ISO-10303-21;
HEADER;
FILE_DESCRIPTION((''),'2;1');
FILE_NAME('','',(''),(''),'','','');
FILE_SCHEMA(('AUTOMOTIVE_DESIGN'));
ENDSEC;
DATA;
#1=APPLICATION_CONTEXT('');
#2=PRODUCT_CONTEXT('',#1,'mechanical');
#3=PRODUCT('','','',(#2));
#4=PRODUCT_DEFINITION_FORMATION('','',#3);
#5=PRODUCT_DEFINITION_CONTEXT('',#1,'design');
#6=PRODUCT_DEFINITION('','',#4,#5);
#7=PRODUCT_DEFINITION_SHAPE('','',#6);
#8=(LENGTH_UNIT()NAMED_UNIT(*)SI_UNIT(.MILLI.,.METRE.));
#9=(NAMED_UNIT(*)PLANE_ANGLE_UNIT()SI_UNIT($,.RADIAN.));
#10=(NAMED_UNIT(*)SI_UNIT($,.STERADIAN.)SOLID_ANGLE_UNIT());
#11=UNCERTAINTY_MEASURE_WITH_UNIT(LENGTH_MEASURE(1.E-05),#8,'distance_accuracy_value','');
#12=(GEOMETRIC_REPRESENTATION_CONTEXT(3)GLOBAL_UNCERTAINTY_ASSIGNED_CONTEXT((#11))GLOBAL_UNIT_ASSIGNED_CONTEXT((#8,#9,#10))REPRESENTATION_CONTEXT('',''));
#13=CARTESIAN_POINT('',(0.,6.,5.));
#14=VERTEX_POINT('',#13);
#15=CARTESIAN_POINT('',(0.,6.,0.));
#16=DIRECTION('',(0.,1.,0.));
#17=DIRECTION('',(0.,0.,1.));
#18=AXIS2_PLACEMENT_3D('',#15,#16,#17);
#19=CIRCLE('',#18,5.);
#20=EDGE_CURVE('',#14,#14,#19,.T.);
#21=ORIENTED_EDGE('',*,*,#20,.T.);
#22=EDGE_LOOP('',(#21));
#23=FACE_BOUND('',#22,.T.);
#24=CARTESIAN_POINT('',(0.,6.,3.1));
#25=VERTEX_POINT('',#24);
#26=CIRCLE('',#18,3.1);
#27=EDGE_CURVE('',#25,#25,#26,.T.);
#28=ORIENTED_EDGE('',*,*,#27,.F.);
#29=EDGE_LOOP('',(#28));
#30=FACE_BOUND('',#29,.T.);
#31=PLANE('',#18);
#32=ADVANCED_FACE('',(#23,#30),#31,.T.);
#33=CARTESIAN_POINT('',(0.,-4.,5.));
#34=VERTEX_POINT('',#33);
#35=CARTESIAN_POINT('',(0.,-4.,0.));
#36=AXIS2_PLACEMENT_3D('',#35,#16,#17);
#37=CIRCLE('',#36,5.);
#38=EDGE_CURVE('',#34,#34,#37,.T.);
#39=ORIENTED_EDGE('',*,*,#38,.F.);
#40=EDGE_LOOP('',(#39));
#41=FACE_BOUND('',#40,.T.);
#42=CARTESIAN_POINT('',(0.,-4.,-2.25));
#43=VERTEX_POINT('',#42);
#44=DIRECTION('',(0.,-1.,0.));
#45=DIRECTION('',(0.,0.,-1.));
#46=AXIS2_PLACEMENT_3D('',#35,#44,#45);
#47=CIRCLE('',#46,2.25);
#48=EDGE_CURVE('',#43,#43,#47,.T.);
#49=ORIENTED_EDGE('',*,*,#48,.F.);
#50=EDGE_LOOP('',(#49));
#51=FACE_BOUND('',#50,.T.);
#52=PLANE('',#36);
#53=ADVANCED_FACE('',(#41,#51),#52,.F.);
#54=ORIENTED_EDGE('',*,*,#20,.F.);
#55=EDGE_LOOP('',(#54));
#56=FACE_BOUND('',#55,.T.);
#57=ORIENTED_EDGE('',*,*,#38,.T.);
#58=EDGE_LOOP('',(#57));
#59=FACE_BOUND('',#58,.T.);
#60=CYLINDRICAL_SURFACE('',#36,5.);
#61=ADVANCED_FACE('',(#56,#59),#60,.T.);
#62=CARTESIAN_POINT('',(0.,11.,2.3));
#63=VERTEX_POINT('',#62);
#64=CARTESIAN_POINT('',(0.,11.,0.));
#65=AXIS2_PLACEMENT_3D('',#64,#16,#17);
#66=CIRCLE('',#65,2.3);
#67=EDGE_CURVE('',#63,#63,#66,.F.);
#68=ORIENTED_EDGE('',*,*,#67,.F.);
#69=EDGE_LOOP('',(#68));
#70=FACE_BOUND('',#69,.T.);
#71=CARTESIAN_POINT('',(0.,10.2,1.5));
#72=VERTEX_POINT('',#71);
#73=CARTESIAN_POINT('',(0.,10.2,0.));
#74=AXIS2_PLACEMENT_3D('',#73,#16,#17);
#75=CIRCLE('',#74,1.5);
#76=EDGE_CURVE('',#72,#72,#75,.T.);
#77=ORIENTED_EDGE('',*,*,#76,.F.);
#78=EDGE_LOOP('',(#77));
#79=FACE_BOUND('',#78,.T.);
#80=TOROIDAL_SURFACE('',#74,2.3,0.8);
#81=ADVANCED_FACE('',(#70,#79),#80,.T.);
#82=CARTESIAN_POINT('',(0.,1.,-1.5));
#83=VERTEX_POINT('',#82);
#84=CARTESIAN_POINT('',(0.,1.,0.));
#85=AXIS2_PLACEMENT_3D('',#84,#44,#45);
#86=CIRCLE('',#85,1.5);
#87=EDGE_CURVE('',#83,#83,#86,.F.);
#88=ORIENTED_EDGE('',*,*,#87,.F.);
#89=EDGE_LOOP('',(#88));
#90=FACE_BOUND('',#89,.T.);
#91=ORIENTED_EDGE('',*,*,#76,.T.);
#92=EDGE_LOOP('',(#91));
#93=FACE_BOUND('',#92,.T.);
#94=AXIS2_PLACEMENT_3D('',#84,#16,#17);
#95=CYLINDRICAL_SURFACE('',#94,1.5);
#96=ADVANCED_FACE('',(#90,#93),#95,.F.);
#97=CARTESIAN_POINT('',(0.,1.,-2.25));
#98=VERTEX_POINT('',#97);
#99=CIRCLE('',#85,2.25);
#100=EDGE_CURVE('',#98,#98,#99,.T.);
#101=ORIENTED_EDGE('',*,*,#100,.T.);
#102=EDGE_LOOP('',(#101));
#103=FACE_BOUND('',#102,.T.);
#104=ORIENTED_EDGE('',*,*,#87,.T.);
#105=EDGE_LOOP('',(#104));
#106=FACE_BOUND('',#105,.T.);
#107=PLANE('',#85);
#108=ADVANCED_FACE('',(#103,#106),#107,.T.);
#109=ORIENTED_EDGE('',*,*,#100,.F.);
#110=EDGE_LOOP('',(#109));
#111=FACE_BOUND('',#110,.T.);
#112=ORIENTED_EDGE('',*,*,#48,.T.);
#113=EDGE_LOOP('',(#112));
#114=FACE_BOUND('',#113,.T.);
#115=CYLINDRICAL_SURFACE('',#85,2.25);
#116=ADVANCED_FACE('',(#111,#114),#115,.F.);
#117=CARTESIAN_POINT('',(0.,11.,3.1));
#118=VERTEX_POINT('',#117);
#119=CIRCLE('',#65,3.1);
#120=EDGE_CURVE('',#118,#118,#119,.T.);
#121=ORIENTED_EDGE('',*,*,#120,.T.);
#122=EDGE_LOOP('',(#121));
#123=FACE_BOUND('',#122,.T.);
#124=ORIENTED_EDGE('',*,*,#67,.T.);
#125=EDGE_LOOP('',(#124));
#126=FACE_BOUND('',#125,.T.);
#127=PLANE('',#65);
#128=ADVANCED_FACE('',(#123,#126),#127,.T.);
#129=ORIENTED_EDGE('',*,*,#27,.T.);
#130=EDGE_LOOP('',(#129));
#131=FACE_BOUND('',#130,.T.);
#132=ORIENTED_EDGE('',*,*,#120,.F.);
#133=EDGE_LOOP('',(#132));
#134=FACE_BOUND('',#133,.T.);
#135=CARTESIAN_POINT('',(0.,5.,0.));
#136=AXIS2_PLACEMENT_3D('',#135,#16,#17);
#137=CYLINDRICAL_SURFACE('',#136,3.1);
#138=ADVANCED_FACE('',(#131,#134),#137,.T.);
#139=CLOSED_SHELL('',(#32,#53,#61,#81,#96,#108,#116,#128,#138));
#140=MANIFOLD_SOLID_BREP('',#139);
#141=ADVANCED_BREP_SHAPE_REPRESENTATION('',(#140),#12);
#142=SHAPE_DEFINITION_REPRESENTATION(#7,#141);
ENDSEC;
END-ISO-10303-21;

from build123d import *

# Parameters (mm, degrees)
BOSS_EXTRU_1_DEPTH      = 6
BOSS_EXTRU_1_DEPTH_BACK = 4
ESQUISSE1_R             = 5
BOSS_EXTRU_2_DEPTH      = 5
BOSS_EXTRU_2_DEPTH_BACK = 1
ESQUISSE2_R             = 3.1
ESQUISSE3_R             = 1.5
ENL_V_MAT_EXTRU_2_DEPTH = 10
ESQUISSE4_R             = 2.25
ENL_V_MAT_EXTRU_3_DEPTH = 5
CONG_1_R                = 0.8


with BuildPart() as part:
    # Esquisse1 → Boss.-Extru.1 (new, two sides: drawn at the far end of the back side and taken through both)
    with BuildSketch(Plane(origin=(0, 0, 0), x_dir=(1, 0, 0), z_dir=(0, 1, 0)).offset(-BOSS_EXTRU_1_DEPTH_BACK)):
        with Locations(Location((0, 0, 0), (0, 0, 270))):
            Circle(ESQUISSE1_R)
    extrude(amount=BOSS_EXTRU_1_DEPTH + BOSS_EXTRU_1_DEPTH_BACK)

    # Esquisse2 → Boss.-Extru.2 (add, two sides: drawn at the far end of the back side and taken through both)
    with BuildSketch(Plane(origin=(0, 6, 0), x_dir=(1, 0, 0), z_dir=(0, 1, 0)).offset(-BOSS_EXTRU_2_DEPTH_BACK)):
        with Locations(Location((0, 0, 0), (0, 0, 270))):
            Circle(ESQUISSE2_R)
    extrude(amount=BOSS_EXTRU_2_DEPTH + BOSS_EXTRU_2_DEPTH_BACK)

    # Esquisse3 → Enlèv. mat.-Extru.2 (cut)
    with BuildSketch(Plane(origin=(0, 11, 0), x_dir=(1, 0, 0), z_dir=(0, 1, 0))):
        with Locations(Location((0, 0, 0), (0, 0, 270))):
            Circle(ESQUISSE3_R)
    extrude(amount=-ENL_V_MAT_EXTRU_2_DEPTH, mode=Mode.SUBTRACT)

    # Esquisse4 → Enlèv. mat.-Extru.3 (cut)
    with BuildSketch(Plane.XZ.offset(4)):
        with Locations(Location((0, 0, 0), (0, 0, 270))):
            Circle(ESQUISSE4_R)
    extrude(amount=-ENL_V_MAT_EXTRU_3_DEPTH, mode=Mode.SUBTRACT)

    # Congé1
    cong_1_edges = [part.edges().sort_by_distance(p)[0] for p in [
        (0, 11, -1.5),
    ]]
    fillet(cong_1_edges, radius=CONG_1_R)


solid = part.part
